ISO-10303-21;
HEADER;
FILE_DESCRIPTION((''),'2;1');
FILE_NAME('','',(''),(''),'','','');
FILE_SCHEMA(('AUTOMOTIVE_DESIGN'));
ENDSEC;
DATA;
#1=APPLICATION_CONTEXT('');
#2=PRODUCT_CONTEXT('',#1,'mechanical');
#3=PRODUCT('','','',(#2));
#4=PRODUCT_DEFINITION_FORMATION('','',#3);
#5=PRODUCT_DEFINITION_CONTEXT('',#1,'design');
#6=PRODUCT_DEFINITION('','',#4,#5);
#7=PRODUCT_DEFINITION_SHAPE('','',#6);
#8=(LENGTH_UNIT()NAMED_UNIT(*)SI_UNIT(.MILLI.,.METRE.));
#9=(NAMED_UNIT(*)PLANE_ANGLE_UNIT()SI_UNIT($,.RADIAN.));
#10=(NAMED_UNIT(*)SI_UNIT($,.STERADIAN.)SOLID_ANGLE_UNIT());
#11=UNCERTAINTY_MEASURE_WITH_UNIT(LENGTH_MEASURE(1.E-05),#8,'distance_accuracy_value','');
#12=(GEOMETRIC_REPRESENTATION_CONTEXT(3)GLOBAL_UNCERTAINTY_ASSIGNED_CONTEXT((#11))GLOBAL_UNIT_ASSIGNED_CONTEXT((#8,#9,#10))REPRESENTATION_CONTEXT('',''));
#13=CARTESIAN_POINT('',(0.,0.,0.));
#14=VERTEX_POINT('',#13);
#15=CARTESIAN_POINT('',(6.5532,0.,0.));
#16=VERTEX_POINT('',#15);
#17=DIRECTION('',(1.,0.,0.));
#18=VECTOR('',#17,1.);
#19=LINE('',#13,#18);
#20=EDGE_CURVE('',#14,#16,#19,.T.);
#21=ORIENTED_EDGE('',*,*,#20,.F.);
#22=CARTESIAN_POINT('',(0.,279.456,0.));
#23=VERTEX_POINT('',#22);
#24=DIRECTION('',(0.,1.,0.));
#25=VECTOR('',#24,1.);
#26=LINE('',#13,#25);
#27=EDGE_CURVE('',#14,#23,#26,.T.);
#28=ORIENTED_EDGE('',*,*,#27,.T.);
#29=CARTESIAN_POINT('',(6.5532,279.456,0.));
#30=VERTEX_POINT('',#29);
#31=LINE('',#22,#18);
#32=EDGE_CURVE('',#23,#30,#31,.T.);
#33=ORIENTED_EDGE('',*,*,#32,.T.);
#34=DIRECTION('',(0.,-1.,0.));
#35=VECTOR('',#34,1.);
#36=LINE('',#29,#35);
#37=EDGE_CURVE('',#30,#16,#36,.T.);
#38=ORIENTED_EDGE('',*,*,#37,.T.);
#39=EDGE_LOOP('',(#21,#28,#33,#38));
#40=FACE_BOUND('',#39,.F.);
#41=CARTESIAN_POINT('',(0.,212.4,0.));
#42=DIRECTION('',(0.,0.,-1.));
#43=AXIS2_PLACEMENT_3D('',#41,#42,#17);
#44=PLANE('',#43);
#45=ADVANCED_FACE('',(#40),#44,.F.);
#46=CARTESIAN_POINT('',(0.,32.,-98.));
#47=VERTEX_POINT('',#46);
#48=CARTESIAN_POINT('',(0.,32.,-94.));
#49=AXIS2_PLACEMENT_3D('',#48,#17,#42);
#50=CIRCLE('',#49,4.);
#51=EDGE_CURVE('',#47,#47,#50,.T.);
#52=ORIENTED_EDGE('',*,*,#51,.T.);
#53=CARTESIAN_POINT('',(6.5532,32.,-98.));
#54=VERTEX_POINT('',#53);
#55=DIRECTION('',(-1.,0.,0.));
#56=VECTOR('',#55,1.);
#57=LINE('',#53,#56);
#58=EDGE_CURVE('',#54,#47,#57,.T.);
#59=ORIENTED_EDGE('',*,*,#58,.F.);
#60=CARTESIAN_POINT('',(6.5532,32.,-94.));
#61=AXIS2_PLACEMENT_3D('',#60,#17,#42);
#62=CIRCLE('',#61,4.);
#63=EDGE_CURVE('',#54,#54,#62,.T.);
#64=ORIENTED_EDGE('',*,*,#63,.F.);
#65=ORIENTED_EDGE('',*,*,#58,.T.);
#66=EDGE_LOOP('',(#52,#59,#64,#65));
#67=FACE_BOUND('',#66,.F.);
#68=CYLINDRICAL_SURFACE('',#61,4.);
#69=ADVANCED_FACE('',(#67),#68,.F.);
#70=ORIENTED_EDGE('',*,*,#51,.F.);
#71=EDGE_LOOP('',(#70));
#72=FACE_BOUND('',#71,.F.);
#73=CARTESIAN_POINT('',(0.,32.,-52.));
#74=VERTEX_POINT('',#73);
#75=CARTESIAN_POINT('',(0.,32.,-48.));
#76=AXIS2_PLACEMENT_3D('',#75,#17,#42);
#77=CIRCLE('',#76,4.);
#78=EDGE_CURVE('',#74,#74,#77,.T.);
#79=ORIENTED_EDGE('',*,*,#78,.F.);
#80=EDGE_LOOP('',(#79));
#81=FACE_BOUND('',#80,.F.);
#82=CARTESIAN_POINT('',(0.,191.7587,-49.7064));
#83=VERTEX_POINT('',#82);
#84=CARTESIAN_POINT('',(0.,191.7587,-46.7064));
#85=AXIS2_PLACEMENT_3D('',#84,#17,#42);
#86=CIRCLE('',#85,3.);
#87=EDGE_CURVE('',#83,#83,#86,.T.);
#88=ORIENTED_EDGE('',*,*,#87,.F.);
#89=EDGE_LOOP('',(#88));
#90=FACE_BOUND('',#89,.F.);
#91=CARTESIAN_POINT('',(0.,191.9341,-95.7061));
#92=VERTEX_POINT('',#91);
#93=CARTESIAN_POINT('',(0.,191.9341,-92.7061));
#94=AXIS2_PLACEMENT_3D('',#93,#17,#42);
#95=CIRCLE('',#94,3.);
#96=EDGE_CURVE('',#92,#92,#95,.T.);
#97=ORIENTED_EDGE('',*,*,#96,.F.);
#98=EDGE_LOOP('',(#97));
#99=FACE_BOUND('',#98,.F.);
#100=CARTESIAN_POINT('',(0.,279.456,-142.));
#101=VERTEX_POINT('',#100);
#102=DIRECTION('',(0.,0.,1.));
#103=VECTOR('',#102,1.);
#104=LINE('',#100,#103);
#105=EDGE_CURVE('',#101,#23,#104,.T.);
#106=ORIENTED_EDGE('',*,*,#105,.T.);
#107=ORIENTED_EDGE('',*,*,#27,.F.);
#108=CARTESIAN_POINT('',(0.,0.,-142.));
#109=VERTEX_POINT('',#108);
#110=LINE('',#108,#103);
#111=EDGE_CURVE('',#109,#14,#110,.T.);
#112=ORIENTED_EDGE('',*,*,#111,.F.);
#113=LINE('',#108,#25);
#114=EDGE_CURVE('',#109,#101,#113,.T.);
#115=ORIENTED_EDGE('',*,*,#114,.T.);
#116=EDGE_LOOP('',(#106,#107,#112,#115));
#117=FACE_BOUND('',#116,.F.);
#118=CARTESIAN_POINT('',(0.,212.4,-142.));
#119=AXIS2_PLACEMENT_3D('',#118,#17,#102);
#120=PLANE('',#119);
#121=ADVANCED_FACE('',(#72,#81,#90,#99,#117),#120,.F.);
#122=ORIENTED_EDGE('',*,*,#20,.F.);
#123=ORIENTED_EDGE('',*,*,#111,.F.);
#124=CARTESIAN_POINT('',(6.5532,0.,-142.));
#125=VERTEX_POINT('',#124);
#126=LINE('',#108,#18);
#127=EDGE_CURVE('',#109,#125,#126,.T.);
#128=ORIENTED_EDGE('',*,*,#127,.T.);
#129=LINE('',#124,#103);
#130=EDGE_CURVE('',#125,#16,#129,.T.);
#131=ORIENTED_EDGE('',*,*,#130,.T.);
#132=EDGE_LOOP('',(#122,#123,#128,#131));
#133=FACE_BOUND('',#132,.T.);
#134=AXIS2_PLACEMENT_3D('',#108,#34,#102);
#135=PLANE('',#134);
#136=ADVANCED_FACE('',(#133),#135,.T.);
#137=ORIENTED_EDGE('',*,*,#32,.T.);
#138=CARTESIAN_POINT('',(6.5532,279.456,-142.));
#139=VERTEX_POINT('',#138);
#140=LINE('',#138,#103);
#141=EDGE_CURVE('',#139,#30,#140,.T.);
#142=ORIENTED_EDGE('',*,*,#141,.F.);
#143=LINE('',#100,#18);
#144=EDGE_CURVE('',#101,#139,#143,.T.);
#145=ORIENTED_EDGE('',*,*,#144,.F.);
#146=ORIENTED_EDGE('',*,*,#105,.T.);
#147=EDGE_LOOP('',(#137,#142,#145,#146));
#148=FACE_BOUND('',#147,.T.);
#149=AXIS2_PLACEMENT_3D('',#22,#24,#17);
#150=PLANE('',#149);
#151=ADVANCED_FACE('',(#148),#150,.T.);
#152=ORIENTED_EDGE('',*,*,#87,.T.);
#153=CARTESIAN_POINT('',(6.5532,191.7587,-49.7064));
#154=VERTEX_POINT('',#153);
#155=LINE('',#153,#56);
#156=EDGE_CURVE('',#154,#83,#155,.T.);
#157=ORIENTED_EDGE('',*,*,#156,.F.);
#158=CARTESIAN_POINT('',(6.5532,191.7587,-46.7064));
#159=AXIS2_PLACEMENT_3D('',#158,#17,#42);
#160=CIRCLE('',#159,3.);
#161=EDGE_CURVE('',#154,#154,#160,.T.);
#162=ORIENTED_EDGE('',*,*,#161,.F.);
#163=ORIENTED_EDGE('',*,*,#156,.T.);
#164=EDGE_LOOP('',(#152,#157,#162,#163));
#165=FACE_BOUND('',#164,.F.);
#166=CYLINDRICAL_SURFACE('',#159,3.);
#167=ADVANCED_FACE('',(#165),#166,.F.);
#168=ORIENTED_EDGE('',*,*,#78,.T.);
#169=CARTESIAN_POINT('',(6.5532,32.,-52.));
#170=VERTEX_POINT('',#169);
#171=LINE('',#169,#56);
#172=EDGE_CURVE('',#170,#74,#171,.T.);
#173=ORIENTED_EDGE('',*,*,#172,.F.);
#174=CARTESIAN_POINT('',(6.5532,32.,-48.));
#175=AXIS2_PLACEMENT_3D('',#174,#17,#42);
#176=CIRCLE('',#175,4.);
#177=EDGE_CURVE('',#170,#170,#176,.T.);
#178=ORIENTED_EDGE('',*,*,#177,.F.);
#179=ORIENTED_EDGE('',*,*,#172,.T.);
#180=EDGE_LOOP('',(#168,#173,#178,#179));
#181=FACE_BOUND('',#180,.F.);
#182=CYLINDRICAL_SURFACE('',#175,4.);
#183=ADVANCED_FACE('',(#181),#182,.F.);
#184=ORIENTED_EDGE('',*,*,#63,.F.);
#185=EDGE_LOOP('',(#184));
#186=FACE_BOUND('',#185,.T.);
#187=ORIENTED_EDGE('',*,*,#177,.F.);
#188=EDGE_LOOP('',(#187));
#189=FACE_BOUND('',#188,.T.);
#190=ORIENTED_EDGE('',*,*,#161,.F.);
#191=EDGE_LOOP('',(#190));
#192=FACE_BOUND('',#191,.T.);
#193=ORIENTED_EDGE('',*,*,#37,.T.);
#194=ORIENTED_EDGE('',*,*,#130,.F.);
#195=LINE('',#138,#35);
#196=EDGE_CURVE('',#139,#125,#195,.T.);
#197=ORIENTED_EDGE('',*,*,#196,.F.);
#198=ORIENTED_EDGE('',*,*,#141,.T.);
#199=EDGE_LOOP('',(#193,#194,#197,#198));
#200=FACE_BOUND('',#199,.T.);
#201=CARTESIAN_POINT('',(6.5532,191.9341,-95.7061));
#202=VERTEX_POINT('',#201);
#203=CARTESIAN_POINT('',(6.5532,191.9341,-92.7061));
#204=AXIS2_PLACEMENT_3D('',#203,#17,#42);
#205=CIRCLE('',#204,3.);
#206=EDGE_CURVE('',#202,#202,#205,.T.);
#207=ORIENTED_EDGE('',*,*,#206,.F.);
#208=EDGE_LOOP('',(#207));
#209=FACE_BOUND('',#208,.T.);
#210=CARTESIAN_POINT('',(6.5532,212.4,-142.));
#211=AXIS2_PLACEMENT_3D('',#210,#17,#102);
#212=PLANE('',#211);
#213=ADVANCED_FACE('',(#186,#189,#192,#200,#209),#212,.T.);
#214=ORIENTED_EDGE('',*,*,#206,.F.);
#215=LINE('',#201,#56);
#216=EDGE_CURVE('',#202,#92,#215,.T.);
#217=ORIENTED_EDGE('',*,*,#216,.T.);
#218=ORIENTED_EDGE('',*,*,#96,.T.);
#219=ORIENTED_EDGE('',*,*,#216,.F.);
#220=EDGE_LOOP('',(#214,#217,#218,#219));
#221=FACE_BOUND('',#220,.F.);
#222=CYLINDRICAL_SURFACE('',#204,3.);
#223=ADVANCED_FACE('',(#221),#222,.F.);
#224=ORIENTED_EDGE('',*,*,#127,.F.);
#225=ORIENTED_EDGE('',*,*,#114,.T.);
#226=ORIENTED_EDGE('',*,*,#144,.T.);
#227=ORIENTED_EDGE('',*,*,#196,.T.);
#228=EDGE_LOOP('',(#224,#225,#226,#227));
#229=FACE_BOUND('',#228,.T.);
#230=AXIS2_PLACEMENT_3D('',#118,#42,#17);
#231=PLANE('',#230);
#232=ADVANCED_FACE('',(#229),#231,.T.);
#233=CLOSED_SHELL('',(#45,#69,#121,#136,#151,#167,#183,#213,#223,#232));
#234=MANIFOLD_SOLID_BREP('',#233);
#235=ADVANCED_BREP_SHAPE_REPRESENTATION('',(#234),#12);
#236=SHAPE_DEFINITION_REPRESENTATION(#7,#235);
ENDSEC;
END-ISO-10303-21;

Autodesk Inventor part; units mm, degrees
ref_plane "YZ Plane" through (0, 0, 0) normal (1, 0, 0) x (0, 1, 0)
ref_plane "XZ Plane" through (0, 0, 0) normal (0, 1, 0) x (-1, 0, 0)
ref_plane "XY Plane" through (0, 0, 0) normal (0, 0, 1) x (1, 0, 0)
sketch "Sketch1" plane through (0, 0, 0) normal (1, 0, 0) x (0, 1, 0)
  line L0 (0, 0) -> (212.4, 0)
  line L1 (212.4, 0) -> (212.4, -142)
  line L2 (212.4, -142) -> (0, -142)
  line L3 (0, -142) -> (0, 0)
  dimension "d0" = 212.4
  dimension "d1" = 142
extrude "Extrusion1" add sketch "Sketch1" along normal blind 6.5532
sketch "Sketch2" plane through (6.5532, 0, 0) normal (1, 0, 0) x (0, 0, -1)
  line L0 (0, 0) -> (142, 0) construction
  line L1 (48, 32) -> (94, 32) construction
  circle A0 centre (48, 32) radius 4
  circle A1 centre (94, 32) radius 4
  point P0 (71, 0)
  point P1 (71, 32)
  point P2 (71, 0)
  point P3 (71, 0)
  dimension "d9" = 8
  dimension "d10" = 46
  dimension "d11" = 32
extrude "Extrusion2" cut sketch "Sketch2" against normal blind 7.62
sketch "Sketch3" plane through (0, 212.4, 0) normal (0, 1, 0) x (1, 0, 0)
  line L0 (0, 142) -> (0, 0) projected
  line L1 (0, 0) -> (6.5532, 0) projected
  line L2 (6.5532, 142) -> (6.5532, 0) projected
  line L3 (0, 142) -> (6.5532, 142) projected
  point P0 (0, 0)
extrude "Extrusion3" add sketch "Sketch3" along normal blind 67.056
sketch "Sketch4" plane through (6.5532, 0, 0) normal (1, 0, 0) x (0, 0, -1)
  circle A0 centre (92.7061, 191.9341) radius 3 projected
  circle A1 centre (46.7064, 191.7587) radius 3 projected
  point P0 (0, 0)
extrude "Extrusion4" cut sketch "Sketch4" against normal blind 25.4
properties part number "Z_Gantry_Plate" material "Steel, Mild"
